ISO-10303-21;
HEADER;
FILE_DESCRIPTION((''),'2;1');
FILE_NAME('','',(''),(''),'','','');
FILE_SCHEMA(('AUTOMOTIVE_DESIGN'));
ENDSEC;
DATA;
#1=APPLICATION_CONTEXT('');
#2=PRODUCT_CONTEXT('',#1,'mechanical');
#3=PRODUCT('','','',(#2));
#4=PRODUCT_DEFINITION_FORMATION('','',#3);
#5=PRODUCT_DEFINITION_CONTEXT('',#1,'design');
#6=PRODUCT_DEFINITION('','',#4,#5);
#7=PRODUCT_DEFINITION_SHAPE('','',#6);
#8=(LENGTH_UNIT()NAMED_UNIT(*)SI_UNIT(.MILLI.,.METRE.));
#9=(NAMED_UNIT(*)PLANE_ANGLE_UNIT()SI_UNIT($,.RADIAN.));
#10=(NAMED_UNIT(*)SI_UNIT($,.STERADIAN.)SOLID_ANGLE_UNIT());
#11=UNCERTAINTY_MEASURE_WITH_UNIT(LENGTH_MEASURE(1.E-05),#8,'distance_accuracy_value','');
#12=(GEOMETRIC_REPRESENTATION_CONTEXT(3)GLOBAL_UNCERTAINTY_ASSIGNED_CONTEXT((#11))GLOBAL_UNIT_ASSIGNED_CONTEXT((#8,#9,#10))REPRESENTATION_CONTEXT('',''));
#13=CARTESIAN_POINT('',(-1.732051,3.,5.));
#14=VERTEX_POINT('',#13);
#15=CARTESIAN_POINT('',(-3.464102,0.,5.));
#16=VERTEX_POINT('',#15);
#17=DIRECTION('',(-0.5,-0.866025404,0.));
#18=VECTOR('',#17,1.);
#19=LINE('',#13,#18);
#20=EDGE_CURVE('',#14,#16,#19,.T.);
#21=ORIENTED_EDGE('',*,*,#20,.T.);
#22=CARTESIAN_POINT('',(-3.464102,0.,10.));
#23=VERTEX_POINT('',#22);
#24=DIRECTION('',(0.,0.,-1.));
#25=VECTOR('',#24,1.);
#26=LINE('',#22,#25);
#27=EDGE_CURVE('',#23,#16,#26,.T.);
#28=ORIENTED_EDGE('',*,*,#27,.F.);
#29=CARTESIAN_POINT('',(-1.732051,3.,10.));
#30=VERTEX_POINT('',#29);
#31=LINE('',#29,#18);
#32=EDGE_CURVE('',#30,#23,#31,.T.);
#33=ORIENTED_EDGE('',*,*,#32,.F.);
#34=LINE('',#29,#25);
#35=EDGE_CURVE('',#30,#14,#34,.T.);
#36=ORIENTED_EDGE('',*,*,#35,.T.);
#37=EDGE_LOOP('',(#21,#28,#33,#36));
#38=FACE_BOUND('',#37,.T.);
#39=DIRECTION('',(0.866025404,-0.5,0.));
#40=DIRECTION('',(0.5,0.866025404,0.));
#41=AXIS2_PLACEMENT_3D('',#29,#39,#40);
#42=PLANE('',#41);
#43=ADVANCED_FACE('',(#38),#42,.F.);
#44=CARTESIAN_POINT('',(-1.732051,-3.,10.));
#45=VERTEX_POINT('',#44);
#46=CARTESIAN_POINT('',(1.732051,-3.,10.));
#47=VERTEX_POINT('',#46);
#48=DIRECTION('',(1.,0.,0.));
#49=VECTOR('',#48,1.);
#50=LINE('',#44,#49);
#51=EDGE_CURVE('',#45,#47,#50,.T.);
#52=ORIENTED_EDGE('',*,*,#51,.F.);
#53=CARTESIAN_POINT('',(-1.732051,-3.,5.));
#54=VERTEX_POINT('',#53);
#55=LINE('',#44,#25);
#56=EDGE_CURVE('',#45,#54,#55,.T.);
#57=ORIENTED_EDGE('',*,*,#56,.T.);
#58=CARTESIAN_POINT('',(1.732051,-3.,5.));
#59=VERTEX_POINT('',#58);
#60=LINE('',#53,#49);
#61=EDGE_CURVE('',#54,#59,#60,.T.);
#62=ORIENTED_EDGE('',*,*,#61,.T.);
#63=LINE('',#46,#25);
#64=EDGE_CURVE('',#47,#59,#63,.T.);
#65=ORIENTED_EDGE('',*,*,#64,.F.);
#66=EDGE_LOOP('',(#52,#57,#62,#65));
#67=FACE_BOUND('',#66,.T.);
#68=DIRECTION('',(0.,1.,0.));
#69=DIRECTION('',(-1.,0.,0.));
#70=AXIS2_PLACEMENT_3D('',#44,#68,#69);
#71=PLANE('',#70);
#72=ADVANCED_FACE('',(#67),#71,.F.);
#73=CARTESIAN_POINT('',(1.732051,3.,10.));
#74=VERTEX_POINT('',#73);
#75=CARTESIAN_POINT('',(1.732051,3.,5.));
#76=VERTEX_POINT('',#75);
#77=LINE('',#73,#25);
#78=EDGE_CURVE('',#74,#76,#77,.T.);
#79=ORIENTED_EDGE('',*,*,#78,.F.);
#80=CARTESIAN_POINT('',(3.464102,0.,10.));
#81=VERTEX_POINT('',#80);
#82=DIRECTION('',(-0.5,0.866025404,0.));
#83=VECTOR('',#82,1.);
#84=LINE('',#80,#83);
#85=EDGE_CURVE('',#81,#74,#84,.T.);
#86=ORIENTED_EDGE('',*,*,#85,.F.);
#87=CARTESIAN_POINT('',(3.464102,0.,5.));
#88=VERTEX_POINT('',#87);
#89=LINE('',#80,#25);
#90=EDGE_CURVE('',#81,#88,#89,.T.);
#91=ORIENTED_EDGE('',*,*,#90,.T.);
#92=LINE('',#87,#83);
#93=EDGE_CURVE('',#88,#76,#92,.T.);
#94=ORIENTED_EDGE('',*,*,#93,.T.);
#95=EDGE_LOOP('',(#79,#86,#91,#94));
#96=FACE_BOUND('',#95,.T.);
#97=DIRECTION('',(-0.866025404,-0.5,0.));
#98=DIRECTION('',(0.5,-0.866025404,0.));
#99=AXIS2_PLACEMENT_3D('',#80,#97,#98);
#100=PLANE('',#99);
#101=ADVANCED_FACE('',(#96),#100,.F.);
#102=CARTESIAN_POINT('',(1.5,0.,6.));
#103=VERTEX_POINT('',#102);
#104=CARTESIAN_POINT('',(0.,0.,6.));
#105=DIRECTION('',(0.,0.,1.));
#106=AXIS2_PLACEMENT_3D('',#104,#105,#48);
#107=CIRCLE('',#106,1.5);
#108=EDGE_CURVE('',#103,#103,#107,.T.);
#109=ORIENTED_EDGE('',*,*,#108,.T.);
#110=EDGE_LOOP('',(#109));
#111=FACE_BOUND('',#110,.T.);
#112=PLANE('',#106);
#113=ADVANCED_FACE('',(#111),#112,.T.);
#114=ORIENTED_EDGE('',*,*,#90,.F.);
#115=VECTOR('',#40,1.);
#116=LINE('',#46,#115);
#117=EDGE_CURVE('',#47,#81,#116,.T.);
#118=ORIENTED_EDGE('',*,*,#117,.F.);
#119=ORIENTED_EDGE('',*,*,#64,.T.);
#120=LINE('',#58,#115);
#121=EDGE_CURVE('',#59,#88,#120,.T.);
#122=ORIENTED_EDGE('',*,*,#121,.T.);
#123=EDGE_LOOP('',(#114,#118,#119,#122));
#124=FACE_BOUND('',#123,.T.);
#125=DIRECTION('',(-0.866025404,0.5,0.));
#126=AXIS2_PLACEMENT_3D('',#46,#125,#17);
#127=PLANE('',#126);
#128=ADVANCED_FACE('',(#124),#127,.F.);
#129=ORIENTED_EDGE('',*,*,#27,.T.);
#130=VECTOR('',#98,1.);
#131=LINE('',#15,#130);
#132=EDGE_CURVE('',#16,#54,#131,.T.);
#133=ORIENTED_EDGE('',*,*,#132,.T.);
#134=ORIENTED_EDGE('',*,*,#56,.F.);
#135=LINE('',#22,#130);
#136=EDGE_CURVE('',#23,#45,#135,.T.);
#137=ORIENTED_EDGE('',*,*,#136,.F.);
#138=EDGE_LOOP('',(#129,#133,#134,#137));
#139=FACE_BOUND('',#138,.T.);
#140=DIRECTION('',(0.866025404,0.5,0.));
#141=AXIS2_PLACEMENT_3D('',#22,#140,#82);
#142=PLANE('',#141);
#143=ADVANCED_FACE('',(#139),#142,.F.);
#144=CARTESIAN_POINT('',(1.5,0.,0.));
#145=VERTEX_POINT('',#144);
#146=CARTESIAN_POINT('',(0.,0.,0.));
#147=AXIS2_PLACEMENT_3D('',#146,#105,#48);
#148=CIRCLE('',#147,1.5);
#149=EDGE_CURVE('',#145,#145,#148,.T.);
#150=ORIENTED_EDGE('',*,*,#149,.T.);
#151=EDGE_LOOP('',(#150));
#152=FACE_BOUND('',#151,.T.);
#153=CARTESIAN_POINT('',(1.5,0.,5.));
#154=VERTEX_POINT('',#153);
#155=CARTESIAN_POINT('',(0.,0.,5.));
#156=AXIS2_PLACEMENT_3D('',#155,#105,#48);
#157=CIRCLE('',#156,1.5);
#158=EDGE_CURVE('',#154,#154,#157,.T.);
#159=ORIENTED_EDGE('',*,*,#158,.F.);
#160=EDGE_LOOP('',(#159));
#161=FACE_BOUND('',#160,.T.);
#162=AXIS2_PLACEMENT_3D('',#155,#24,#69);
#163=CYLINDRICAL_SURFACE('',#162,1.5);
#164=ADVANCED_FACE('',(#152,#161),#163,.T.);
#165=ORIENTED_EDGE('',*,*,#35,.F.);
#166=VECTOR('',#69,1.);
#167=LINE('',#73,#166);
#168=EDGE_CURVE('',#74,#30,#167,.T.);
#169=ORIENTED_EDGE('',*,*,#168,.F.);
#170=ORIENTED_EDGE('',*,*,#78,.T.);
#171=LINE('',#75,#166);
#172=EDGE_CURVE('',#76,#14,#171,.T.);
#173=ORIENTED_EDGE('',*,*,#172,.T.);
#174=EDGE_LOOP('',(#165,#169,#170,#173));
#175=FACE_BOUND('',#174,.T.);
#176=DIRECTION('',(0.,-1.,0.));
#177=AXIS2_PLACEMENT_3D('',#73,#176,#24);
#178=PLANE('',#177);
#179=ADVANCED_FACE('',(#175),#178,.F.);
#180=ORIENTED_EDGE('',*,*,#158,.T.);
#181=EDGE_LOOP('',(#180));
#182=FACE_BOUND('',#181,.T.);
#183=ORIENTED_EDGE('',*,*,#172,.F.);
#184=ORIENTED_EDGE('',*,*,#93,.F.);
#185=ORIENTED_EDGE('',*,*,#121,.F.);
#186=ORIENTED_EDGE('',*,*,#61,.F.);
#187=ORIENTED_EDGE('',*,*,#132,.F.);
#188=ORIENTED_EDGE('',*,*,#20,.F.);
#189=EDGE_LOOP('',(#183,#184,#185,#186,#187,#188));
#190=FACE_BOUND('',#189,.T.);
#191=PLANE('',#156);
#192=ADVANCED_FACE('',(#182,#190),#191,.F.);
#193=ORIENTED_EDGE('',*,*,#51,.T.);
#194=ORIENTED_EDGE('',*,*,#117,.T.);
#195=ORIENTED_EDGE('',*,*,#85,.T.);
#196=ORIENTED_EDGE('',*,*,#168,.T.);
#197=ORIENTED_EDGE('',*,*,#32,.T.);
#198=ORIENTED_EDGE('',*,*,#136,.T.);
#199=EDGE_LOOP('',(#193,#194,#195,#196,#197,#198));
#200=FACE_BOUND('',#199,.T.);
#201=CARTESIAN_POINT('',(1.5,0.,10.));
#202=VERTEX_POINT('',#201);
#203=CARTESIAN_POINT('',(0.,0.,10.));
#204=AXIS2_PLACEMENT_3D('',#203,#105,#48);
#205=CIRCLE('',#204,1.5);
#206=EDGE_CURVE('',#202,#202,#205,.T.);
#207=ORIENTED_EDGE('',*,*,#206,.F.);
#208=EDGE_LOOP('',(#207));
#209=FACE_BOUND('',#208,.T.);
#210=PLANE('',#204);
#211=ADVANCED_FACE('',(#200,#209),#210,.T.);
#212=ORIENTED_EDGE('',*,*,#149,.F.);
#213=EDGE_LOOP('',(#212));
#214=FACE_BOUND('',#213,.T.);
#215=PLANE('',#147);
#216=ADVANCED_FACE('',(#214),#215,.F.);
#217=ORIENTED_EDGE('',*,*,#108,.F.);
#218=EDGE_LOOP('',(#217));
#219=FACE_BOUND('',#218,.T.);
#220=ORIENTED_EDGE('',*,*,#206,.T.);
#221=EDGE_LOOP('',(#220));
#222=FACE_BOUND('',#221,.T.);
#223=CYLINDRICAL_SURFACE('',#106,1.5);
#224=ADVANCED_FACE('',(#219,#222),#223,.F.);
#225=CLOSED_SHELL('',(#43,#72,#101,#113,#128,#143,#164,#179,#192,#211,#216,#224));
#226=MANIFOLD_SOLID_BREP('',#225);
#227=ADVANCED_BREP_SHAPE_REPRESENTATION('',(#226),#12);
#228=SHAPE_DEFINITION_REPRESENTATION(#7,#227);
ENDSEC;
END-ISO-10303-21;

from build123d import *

# Parameters (mm, degrees)
SKETCH_1_R          = 1.5
EXTRUDE_1_DEPTH     = 5
EXTRUDE_2_DEPTH     = 5
SKETCH_3_R          = 1.5
CUT_EXTRUDE_1_DEPTH = 4


with BuildPart() as part:
    # Эскиз1 → Бобышка-Вытянуть1 (new body)
    with BuildSketch(Plane.XY):
        Circle(SKETCH_1_R)
    extrude(amount=EXTRUDE_1_DEPTH)

    # Эскиз2 → Бобышка-Вытянуть2 (add)
    with BuildSketch(Plane.XY.offset(5)):
        Polygon((-3.464101615, 0), (-1.732050808, -3), (1.732050808, -3), (3.464101615, 0), (1.732050808, 3), (-1.732050808, 3), align=None)
    extrude(amount=EXTRUDE_2_DEPTH)

    # Эскиз3 → Вырез-Вытянуть1 (cut)
    with BuildSketch(Plane.XY.offset(10)):
        Circle(SKETCH_3_R)
    extrude(amount=-CUT_EXTRUDE_1_DEPTH, mode=Mode.SUBTRACT)


solid = part.part
